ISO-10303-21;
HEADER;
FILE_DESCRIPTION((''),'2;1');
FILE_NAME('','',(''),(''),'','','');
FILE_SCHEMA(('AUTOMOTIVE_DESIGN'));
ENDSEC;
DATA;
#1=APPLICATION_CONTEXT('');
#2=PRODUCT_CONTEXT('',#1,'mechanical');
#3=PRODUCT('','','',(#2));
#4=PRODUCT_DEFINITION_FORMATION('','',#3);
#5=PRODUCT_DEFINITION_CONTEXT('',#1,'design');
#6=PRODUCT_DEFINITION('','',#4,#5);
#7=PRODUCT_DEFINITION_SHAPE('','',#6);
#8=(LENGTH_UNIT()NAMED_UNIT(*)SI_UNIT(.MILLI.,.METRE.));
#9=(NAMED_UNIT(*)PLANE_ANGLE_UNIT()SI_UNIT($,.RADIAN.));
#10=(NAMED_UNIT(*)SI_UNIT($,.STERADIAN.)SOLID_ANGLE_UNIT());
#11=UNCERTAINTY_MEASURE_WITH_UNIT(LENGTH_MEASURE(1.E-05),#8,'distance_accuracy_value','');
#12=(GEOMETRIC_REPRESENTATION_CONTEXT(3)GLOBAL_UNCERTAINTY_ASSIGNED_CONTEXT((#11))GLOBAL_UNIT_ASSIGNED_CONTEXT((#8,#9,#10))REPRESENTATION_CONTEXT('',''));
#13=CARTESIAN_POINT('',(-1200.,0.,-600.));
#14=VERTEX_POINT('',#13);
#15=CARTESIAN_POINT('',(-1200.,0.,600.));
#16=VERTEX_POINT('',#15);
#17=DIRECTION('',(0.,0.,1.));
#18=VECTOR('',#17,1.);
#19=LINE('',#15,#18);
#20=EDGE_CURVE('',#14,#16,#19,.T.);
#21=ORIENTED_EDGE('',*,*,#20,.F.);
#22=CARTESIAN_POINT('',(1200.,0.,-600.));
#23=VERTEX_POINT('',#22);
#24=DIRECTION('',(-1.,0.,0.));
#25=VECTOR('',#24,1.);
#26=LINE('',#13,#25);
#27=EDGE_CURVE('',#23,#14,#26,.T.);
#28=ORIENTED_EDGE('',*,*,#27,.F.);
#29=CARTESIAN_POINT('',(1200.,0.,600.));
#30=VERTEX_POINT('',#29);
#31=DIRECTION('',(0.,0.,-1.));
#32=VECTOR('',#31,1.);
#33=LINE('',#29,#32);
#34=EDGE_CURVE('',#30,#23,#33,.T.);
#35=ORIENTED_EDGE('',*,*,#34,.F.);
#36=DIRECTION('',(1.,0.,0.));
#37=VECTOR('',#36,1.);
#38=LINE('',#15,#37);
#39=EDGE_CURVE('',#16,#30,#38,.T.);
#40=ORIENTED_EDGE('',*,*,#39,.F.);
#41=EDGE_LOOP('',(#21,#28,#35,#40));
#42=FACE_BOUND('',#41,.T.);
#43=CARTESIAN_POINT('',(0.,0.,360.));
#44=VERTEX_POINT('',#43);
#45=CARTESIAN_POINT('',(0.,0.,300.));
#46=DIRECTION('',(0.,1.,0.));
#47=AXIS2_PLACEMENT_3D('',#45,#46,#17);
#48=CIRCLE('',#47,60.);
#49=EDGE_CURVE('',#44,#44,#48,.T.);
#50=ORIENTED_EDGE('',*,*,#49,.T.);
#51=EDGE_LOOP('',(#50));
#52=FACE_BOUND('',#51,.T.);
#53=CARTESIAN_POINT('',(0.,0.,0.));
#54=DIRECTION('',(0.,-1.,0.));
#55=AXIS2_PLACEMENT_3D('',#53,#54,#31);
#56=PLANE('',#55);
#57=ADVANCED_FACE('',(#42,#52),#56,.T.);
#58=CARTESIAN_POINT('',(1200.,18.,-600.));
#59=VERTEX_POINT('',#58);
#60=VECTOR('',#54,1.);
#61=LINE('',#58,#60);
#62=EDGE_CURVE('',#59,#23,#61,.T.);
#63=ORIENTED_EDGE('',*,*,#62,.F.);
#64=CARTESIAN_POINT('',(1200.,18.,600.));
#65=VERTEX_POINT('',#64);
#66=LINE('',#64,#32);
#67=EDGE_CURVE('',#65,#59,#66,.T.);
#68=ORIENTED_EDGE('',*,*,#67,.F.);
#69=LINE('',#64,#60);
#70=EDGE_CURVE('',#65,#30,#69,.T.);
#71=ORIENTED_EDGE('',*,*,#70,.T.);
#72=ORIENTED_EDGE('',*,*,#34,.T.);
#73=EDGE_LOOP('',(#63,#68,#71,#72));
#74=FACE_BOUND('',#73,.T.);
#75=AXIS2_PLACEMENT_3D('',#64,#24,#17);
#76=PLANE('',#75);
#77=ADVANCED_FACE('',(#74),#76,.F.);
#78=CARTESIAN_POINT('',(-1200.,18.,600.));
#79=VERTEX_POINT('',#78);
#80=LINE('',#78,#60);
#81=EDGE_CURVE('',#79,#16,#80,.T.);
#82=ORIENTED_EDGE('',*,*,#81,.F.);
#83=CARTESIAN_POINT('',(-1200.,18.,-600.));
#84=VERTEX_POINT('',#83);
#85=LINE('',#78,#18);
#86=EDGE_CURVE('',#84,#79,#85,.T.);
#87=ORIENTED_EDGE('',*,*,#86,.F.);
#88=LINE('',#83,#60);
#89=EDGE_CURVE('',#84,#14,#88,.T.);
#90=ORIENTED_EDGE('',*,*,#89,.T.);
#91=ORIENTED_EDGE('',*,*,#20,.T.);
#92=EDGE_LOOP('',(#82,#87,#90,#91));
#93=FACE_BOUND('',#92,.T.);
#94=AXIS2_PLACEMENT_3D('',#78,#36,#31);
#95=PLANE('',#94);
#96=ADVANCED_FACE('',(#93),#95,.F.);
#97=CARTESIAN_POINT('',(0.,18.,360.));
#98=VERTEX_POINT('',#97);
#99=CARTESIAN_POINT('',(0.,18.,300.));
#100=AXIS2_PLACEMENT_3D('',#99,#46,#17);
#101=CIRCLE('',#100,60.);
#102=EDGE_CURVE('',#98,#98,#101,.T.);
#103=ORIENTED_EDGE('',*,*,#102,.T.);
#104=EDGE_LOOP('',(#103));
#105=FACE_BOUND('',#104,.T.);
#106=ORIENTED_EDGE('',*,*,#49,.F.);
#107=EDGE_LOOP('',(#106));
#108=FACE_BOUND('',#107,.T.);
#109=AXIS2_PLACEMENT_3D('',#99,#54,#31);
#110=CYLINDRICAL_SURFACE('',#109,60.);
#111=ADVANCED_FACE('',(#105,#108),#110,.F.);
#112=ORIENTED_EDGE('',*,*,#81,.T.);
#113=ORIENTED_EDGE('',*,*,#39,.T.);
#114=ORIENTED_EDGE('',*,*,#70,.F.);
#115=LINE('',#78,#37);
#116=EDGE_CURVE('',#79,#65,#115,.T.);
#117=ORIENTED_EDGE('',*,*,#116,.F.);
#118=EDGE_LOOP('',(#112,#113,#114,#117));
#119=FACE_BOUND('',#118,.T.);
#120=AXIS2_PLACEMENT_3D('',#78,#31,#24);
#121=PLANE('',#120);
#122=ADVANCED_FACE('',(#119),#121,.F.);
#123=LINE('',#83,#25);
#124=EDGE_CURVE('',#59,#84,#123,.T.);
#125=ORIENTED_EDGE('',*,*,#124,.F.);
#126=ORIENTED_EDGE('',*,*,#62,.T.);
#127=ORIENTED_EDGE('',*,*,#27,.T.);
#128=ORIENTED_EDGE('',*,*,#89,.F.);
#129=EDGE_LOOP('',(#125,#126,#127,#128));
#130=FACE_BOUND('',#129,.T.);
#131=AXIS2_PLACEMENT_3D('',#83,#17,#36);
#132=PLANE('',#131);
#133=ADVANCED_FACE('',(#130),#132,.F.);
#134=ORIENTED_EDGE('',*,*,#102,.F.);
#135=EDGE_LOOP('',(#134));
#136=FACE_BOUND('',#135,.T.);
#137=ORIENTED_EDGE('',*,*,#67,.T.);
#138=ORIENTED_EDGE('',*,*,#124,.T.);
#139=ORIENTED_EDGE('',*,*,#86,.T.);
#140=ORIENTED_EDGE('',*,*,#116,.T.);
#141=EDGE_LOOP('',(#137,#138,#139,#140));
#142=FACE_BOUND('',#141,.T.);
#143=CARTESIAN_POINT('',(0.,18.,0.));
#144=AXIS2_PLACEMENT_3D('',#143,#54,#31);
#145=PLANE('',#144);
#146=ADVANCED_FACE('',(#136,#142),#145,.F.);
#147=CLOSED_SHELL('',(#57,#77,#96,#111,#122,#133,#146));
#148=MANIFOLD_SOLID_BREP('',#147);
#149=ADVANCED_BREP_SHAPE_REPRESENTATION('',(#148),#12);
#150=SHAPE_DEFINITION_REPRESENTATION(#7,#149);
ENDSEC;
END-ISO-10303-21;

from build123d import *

# Parameters (mm, degrees)
SKETCH1_W           = 2400
SKETCH1_H           = 1200
SKETCH1_R           = 60
BOSS_EXTRUDE1_DEPTH = 18


with BuildPart() as part:
    # Sketch1 → Boss-Extrude1 (new body)
    with BuildSketch(Plane(origin=(0, 0, 0), x_dir=(1, 0, 0), z_dir=(0, 1, 0))):
        Rectangle(SKETCH1_W, SKETCH1_H)
        with Locations(Location((0, -300, 0), (0, 0, 270))):
            Circle(SKETCH1_R, mode=Mode.SUBTRACT)
    extrude(amount=BOSS_EXTRUDE1_DEPTH)


solid = part.part
